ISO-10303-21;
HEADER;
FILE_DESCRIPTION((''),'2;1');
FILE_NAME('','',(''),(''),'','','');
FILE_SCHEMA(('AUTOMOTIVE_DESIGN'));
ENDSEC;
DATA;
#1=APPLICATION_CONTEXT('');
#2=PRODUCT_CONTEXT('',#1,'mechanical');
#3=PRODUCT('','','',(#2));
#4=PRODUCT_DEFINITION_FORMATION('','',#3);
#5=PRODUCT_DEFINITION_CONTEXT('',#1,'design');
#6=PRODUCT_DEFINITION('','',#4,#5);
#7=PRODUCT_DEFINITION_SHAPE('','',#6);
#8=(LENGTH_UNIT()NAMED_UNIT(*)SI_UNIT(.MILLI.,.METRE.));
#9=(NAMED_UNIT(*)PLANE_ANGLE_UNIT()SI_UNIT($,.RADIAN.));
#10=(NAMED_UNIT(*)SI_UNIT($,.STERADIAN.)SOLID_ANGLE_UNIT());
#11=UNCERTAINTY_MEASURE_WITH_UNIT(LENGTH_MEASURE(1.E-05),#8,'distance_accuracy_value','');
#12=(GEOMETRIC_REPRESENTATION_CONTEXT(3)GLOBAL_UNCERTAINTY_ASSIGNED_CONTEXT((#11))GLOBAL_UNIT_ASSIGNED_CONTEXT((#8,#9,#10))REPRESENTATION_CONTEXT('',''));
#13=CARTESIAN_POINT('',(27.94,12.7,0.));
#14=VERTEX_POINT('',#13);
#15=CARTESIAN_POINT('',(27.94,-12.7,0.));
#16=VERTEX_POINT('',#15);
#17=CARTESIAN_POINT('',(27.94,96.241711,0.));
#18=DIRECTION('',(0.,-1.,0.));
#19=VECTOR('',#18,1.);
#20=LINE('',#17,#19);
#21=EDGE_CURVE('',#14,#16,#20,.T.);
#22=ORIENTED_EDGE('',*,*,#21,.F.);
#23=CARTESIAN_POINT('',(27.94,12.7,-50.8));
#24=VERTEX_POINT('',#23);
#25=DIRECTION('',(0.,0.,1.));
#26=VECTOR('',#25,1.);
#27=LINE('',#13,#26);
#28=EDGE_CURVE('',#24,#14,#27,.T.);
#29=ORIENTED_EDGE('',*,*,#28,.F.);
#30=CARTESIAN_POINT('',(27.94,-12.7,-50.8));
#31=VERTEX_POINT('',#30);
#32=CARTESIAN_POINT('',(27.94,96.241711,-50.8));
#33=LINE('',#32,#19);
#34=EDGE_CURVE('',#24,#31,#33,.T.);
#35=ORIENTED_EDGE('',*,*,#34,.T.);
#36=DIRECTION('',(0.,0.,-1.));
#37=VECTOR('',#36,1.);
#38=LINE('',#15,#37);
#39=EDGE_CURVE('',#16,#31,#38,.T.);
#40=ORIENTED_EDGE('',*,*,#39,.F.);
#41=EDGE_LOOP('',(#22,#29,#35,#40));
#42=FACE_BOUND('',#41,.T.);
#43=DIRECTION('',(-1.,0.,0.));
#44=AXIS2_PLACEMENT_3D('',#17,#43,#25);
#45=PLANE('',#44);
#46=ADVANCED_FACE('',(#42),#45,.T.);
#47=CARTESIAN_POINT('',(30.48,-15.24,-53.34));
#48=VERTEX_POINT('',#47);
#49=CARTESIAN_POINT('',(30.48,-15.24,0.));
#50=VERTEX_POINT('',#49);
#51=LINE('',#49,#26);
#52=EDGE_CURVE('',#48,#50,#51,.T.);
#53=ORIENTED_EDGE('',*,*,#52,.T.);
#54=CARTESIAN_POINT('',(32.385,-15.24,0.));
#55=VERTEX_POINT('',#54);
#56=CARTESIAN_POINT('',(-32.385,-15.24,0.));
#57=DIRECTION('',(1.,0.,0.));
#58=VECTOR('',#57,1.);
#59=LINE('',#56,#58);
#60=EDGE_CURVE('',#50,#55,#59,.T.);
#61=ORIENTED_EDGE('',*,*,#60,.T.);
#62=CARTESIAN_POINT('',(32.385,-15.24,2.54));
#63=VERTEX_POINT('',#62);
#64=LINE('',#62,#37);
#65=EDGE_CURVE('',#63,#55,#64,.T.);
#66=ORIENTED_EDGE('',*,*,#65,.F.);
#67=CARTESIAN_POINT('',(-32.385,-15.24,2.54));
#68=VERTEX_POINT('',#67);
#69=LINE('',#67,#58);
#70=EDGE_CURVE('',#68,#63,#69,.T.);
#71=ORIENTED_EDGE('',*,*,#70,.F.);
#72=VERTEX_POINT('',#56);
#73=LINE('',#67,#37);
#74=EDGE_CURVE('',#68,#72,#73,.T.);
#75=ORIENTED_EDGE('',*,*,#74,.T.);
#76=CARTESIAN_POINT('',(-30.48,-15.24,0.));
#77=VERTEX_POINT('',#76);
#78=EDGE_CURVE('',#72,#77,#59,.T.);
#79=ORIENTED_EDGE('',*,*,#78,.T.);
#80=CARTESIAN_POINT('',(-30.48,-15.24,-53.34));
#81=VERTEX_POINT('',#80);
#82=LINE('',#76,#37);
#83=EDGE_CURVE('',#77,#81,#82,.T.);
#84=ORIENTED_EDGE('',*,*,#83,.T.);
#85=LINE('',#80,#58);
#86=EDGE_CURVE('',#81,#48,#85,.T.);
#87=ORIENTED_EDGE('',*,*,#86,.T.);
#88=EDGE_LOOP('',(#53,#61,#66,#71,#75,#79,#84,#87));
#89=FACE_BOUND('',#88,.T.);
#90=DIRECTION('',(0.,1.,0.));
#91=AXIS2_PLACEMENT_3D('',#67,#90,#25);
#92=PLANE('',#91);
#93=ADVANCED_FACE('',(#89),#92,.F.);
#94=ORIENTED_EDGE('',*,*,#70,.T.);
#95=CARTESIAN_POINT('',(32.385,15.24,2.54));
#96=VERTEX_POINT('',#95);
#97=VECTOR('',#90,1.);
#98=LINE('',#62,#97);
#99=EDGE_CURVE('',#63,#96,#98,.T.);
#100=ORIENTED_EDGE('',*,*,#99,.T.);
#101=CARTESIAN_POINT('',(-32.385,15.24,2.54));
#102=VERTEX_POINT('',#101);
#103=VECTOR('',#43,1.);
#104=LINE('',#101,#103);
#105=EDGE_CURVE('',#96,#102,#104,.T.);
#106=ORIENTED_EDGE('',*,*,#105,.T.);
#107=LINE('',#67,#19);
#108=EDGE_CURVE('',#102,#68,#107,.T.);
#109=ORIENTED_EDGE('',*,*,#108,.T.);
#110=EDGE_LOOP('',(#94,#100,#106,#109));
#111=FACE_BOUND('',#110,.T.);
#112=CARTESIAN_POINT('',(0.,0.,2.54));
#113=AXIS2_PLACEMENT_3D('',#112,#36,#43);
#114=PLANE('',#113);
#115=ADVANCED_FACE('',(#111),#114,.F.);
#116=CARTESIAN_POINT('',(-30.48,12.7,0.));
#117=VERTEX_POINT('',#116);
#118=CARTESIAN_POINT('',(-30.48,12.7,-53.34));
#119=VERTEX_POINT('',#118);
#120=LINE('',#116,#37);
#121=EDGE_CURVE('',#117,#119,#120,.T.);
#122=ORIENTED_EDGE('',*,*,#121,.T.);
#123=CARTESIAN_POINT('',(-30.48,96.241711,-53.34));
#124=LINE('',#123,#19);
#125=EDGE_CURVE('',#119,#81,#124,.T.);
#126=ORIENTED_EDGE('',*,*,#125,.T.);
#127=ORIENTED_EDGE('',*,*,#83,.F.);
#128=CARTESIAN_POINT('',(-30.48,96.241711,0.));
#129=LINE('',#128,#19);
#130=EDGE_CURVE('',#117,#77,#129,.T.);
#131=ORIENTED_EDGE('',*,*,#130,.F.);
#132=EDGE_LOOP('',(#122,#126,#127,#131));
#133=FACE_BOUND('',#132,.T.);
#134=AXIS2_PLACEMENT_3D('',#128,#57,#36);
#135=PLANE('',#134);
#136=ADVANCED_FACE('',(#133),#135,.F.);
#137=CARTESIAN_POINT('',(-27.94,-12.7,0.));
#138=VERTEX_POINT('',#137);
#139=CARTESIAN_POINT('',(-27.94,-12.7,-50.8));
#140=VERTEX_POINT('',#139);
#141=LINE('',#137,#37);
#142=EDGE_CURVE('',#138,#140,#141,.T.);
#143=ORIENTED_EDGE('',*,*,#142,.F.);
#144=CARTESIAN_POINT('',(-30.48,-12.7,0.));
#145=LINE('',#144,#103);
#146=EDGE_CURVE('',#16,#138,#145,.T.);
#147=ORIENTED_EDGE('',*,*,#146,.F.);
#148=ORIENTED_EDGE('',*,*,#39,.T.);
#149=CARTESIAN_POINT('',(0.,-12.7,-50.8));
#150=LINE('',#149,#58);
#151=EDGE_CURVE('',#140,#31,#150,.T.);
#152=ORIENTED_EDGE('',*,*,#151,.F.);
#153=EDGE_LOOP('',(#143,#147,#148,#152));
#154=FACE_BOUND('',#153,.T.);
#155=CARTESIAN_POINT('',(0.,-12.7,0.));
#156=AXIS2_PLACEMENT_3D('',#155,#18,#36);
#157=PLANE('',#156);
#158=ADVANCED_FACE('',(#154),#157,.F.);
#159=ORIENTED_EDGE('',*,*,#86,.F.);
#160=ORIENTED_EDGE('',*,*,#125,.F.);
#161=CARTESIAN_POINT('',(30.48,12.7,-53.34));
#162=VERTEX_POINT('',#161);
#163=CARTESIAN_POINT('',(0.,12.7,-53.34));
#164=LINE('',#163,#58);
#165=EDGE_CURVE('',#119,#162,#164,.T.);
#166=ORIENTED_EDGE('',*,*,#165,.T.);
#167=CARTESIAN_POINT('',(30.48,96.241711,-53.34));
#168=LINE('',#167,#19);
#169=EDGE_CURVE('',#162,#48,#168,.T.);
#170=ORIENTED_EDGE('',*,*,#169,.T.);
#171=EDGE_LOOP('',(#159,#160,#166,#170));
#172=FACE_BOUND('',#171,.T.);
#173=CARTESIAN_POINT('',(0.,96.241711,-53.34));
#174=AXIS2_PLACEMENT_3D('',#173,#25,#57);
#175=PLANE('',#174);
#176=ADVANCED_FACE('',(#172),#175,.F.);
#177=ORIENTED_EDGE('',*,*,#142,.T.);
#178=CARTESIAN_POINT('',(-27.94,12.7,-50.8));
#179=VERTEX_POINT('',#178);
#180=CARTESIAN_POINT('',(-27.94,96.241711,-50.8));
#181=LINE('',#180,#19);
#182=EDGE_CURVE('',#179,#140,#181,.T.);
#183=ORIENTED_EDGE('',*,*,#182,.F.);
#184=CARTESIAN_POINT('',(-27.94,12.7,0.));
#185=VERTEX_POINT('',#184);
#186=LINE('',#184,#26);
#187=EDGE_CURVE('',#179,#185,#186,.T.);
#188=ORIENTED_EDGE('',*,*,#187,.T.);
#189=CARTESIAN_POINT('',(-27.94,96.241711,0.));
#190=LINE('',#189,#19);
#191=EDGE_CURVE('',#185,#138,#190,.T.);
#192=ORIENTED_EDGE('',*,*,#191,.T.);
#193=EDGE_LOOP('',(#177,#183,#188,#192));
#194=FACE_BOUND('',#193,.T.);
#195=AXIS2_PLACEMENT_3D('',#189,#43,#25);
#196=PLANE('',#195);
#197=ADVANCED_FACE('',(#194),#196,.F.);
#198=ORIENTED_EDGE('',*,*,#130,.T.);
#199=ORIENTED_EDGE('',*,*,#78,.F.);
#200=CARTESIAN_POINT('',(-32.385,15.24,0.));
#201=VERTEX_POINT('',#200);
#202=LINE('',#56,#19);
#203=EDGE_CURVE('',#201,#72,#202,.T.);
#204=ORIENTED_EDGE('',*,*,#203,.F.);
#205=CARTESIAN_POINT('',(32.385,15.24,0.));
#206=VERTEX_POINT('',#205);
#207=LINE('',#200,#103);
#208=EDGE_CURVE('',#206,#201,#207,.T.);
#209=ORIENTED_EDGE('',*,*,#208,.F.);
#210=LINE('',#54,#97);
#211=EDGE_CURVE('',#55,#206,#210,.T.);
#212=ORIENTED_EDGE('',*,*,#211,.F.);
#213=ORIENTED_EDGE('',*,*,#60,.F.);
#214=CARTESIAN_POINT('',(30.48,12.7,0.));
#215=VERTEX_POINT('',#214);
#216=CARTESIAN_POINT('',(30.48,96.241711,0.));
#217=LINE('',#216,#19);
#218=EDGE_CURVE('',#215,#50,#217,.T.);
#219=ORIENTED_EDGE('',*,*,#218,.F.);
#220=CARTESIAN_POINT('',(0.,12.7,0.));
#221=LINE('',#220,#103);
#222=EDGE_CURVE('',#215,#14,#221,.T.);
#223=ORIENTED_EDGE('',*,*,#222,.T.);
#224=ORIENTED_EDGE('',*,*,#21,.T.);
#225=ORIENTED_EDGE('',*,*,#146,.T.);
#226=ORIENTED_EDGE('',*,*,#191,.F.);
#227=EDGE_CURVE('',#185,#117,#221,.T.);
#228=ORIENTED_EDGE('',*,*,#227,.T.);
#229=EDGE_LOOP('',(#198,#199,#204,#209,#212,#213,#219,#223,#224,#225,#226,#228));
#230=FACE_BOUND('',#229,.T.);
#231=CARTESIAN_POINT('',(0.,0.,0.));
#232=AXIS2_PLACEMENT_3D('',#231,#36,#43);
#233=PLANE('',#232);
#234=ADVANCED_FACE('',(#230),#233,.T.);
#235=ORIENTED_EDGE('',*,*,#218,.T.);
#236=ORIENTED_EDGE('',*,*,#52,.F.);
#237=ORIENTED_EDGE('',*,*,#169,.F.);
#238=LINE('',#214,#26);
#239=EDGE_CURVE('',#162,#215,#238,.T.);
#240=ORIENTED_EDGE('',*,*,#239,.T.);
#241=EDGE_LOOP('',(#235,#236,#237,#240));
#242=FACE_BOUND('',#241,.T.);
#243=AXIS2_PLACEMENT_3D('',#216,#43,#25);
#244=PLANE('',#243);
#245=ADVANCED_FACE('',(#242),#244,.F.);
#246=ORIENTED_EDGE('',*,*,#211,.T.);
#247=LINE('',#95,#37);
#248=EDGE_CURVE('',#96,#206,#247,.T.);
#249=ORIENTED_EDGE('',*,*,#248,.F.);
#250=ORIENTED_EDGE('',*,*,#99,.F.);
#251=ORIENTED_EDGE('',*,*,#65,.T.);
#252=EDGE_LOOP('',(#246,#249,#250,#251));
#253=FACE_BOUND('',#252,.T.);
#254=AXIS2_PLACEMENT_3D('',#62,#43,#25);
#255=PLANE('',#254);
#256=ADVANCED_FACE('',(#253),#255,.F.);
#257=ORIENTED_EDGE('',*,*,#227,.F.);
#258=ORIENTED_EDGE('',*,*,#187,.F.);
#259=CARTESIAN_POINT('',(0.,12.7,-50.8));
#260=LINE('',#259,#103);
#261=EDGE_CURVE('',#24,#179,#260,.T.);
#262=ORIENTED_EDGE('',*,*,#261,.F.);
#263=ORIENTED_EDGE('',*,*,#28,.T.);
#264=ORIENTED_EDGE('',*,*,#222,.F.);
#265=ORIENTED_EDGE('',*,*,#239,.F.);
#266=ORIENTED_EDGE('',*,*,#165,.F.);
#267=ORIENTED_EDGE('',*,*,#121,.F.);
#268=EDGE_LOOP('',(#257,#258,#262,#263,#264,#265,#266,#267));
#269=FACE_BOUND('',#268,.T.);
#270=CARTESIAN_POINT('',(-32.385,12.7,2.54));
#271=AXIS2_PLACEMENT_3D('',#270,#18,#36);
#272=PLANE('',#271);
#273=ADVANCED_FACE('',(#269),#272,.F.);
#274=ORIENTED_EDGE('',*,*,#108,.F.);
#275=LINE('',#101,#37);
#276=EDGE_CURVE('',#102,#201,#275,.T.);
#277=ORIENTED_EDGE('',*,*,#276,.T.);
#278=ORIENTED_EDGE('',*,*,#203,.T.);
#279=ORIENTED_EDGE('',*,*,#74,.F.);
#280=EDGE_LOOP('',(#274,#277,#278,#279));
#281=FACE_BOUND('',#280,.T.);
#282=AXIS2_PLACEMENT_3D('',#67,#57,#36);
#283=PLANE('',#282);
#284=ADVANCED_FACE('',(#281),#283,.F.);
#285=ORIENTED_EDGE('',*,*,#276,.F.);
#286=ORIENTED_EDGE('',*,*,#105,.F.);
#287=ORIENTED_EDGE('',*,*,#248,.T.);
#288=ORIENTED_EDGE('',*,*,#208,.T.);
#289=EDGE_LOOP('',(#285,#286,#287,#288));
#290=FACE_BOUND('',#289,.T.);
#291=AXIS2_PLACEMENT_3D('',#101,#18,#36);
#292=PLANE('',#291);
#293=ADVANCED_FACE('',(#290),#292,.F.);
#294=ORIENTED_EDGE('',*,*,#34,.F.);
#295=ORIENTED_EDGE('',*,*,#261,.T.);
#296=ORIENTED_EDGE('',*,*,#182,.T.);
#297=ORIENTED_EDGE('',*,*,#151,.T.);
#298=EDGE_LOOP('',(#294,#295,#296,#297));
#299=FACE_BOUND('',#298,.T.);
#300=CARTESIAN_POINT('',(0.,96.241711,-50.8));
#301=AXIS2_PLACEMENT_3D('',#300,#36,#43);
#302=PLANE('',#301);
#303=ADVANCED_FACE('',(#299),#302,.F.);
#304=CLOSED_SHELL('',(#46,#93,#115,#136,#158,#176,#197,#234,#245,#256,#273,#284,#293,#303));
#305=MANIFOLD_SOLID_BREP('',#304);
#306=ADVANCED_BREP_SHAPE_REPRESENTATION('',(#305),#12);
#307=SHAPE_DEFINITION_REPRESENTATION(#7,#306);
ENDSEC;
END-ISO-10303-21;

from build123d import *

# Parameters (mm, degrees)
SKETCH1_W           = 64.77
SKETCH1_H           = 30.48
BOSS_EXTRUDE1_DEPTH = 2.54
SKETCH2_W           = 60.96
SKETCH2_H           = 53.34
BOSS_EXTRUDE2_DEPTH = 2.54
BOSS_EXTRUDE4_DEPTH = 25.4


with BuildPart() as part:
    # Sketch1 → Boss-Extrude1 (new body)
    with BuildSketch(Plane.XY):
        Rectangle(SKETCH1_W, SKETCH1_H)
    extrude(amount=BOSS_EXTRUDE1_DEPTH)



with BuildPart() as body_2:
    # Sketch2 → Boss-Extrude2 (new body)
    with BuildSketch(Plane.XZ.offset(15.24)):
        with Locations((0, -26.67)):
            Rectangle(SKETCH2_W, SKETCH2_H)
    extrude(amount=-BOSS_EXTRUDE2_DEPTH)


with BuildPart() as part_1:
    add(part.part)

    add(body_2.part)  # Boss-Extrude4 merges body 2
    # Sketch3 → Boss-Extrude4 (add)
    with BuildSketch(Plane(origin=(0, -12.7, 0), x_dir=(-1, 0, 0), z_dir=(0, -1, 0))):
        Polygon((27.94, 50.8), (27.94, 0), (30.48, 0), (30.48, 53.34), (-30.48, 53.34), (-30.48, 0), (-27.94, 0), (-27.94, 50.8), align=None)
    extrude(amount=-BOSS_EXTRUDE4_DEPTH)


solid = part_1.part
